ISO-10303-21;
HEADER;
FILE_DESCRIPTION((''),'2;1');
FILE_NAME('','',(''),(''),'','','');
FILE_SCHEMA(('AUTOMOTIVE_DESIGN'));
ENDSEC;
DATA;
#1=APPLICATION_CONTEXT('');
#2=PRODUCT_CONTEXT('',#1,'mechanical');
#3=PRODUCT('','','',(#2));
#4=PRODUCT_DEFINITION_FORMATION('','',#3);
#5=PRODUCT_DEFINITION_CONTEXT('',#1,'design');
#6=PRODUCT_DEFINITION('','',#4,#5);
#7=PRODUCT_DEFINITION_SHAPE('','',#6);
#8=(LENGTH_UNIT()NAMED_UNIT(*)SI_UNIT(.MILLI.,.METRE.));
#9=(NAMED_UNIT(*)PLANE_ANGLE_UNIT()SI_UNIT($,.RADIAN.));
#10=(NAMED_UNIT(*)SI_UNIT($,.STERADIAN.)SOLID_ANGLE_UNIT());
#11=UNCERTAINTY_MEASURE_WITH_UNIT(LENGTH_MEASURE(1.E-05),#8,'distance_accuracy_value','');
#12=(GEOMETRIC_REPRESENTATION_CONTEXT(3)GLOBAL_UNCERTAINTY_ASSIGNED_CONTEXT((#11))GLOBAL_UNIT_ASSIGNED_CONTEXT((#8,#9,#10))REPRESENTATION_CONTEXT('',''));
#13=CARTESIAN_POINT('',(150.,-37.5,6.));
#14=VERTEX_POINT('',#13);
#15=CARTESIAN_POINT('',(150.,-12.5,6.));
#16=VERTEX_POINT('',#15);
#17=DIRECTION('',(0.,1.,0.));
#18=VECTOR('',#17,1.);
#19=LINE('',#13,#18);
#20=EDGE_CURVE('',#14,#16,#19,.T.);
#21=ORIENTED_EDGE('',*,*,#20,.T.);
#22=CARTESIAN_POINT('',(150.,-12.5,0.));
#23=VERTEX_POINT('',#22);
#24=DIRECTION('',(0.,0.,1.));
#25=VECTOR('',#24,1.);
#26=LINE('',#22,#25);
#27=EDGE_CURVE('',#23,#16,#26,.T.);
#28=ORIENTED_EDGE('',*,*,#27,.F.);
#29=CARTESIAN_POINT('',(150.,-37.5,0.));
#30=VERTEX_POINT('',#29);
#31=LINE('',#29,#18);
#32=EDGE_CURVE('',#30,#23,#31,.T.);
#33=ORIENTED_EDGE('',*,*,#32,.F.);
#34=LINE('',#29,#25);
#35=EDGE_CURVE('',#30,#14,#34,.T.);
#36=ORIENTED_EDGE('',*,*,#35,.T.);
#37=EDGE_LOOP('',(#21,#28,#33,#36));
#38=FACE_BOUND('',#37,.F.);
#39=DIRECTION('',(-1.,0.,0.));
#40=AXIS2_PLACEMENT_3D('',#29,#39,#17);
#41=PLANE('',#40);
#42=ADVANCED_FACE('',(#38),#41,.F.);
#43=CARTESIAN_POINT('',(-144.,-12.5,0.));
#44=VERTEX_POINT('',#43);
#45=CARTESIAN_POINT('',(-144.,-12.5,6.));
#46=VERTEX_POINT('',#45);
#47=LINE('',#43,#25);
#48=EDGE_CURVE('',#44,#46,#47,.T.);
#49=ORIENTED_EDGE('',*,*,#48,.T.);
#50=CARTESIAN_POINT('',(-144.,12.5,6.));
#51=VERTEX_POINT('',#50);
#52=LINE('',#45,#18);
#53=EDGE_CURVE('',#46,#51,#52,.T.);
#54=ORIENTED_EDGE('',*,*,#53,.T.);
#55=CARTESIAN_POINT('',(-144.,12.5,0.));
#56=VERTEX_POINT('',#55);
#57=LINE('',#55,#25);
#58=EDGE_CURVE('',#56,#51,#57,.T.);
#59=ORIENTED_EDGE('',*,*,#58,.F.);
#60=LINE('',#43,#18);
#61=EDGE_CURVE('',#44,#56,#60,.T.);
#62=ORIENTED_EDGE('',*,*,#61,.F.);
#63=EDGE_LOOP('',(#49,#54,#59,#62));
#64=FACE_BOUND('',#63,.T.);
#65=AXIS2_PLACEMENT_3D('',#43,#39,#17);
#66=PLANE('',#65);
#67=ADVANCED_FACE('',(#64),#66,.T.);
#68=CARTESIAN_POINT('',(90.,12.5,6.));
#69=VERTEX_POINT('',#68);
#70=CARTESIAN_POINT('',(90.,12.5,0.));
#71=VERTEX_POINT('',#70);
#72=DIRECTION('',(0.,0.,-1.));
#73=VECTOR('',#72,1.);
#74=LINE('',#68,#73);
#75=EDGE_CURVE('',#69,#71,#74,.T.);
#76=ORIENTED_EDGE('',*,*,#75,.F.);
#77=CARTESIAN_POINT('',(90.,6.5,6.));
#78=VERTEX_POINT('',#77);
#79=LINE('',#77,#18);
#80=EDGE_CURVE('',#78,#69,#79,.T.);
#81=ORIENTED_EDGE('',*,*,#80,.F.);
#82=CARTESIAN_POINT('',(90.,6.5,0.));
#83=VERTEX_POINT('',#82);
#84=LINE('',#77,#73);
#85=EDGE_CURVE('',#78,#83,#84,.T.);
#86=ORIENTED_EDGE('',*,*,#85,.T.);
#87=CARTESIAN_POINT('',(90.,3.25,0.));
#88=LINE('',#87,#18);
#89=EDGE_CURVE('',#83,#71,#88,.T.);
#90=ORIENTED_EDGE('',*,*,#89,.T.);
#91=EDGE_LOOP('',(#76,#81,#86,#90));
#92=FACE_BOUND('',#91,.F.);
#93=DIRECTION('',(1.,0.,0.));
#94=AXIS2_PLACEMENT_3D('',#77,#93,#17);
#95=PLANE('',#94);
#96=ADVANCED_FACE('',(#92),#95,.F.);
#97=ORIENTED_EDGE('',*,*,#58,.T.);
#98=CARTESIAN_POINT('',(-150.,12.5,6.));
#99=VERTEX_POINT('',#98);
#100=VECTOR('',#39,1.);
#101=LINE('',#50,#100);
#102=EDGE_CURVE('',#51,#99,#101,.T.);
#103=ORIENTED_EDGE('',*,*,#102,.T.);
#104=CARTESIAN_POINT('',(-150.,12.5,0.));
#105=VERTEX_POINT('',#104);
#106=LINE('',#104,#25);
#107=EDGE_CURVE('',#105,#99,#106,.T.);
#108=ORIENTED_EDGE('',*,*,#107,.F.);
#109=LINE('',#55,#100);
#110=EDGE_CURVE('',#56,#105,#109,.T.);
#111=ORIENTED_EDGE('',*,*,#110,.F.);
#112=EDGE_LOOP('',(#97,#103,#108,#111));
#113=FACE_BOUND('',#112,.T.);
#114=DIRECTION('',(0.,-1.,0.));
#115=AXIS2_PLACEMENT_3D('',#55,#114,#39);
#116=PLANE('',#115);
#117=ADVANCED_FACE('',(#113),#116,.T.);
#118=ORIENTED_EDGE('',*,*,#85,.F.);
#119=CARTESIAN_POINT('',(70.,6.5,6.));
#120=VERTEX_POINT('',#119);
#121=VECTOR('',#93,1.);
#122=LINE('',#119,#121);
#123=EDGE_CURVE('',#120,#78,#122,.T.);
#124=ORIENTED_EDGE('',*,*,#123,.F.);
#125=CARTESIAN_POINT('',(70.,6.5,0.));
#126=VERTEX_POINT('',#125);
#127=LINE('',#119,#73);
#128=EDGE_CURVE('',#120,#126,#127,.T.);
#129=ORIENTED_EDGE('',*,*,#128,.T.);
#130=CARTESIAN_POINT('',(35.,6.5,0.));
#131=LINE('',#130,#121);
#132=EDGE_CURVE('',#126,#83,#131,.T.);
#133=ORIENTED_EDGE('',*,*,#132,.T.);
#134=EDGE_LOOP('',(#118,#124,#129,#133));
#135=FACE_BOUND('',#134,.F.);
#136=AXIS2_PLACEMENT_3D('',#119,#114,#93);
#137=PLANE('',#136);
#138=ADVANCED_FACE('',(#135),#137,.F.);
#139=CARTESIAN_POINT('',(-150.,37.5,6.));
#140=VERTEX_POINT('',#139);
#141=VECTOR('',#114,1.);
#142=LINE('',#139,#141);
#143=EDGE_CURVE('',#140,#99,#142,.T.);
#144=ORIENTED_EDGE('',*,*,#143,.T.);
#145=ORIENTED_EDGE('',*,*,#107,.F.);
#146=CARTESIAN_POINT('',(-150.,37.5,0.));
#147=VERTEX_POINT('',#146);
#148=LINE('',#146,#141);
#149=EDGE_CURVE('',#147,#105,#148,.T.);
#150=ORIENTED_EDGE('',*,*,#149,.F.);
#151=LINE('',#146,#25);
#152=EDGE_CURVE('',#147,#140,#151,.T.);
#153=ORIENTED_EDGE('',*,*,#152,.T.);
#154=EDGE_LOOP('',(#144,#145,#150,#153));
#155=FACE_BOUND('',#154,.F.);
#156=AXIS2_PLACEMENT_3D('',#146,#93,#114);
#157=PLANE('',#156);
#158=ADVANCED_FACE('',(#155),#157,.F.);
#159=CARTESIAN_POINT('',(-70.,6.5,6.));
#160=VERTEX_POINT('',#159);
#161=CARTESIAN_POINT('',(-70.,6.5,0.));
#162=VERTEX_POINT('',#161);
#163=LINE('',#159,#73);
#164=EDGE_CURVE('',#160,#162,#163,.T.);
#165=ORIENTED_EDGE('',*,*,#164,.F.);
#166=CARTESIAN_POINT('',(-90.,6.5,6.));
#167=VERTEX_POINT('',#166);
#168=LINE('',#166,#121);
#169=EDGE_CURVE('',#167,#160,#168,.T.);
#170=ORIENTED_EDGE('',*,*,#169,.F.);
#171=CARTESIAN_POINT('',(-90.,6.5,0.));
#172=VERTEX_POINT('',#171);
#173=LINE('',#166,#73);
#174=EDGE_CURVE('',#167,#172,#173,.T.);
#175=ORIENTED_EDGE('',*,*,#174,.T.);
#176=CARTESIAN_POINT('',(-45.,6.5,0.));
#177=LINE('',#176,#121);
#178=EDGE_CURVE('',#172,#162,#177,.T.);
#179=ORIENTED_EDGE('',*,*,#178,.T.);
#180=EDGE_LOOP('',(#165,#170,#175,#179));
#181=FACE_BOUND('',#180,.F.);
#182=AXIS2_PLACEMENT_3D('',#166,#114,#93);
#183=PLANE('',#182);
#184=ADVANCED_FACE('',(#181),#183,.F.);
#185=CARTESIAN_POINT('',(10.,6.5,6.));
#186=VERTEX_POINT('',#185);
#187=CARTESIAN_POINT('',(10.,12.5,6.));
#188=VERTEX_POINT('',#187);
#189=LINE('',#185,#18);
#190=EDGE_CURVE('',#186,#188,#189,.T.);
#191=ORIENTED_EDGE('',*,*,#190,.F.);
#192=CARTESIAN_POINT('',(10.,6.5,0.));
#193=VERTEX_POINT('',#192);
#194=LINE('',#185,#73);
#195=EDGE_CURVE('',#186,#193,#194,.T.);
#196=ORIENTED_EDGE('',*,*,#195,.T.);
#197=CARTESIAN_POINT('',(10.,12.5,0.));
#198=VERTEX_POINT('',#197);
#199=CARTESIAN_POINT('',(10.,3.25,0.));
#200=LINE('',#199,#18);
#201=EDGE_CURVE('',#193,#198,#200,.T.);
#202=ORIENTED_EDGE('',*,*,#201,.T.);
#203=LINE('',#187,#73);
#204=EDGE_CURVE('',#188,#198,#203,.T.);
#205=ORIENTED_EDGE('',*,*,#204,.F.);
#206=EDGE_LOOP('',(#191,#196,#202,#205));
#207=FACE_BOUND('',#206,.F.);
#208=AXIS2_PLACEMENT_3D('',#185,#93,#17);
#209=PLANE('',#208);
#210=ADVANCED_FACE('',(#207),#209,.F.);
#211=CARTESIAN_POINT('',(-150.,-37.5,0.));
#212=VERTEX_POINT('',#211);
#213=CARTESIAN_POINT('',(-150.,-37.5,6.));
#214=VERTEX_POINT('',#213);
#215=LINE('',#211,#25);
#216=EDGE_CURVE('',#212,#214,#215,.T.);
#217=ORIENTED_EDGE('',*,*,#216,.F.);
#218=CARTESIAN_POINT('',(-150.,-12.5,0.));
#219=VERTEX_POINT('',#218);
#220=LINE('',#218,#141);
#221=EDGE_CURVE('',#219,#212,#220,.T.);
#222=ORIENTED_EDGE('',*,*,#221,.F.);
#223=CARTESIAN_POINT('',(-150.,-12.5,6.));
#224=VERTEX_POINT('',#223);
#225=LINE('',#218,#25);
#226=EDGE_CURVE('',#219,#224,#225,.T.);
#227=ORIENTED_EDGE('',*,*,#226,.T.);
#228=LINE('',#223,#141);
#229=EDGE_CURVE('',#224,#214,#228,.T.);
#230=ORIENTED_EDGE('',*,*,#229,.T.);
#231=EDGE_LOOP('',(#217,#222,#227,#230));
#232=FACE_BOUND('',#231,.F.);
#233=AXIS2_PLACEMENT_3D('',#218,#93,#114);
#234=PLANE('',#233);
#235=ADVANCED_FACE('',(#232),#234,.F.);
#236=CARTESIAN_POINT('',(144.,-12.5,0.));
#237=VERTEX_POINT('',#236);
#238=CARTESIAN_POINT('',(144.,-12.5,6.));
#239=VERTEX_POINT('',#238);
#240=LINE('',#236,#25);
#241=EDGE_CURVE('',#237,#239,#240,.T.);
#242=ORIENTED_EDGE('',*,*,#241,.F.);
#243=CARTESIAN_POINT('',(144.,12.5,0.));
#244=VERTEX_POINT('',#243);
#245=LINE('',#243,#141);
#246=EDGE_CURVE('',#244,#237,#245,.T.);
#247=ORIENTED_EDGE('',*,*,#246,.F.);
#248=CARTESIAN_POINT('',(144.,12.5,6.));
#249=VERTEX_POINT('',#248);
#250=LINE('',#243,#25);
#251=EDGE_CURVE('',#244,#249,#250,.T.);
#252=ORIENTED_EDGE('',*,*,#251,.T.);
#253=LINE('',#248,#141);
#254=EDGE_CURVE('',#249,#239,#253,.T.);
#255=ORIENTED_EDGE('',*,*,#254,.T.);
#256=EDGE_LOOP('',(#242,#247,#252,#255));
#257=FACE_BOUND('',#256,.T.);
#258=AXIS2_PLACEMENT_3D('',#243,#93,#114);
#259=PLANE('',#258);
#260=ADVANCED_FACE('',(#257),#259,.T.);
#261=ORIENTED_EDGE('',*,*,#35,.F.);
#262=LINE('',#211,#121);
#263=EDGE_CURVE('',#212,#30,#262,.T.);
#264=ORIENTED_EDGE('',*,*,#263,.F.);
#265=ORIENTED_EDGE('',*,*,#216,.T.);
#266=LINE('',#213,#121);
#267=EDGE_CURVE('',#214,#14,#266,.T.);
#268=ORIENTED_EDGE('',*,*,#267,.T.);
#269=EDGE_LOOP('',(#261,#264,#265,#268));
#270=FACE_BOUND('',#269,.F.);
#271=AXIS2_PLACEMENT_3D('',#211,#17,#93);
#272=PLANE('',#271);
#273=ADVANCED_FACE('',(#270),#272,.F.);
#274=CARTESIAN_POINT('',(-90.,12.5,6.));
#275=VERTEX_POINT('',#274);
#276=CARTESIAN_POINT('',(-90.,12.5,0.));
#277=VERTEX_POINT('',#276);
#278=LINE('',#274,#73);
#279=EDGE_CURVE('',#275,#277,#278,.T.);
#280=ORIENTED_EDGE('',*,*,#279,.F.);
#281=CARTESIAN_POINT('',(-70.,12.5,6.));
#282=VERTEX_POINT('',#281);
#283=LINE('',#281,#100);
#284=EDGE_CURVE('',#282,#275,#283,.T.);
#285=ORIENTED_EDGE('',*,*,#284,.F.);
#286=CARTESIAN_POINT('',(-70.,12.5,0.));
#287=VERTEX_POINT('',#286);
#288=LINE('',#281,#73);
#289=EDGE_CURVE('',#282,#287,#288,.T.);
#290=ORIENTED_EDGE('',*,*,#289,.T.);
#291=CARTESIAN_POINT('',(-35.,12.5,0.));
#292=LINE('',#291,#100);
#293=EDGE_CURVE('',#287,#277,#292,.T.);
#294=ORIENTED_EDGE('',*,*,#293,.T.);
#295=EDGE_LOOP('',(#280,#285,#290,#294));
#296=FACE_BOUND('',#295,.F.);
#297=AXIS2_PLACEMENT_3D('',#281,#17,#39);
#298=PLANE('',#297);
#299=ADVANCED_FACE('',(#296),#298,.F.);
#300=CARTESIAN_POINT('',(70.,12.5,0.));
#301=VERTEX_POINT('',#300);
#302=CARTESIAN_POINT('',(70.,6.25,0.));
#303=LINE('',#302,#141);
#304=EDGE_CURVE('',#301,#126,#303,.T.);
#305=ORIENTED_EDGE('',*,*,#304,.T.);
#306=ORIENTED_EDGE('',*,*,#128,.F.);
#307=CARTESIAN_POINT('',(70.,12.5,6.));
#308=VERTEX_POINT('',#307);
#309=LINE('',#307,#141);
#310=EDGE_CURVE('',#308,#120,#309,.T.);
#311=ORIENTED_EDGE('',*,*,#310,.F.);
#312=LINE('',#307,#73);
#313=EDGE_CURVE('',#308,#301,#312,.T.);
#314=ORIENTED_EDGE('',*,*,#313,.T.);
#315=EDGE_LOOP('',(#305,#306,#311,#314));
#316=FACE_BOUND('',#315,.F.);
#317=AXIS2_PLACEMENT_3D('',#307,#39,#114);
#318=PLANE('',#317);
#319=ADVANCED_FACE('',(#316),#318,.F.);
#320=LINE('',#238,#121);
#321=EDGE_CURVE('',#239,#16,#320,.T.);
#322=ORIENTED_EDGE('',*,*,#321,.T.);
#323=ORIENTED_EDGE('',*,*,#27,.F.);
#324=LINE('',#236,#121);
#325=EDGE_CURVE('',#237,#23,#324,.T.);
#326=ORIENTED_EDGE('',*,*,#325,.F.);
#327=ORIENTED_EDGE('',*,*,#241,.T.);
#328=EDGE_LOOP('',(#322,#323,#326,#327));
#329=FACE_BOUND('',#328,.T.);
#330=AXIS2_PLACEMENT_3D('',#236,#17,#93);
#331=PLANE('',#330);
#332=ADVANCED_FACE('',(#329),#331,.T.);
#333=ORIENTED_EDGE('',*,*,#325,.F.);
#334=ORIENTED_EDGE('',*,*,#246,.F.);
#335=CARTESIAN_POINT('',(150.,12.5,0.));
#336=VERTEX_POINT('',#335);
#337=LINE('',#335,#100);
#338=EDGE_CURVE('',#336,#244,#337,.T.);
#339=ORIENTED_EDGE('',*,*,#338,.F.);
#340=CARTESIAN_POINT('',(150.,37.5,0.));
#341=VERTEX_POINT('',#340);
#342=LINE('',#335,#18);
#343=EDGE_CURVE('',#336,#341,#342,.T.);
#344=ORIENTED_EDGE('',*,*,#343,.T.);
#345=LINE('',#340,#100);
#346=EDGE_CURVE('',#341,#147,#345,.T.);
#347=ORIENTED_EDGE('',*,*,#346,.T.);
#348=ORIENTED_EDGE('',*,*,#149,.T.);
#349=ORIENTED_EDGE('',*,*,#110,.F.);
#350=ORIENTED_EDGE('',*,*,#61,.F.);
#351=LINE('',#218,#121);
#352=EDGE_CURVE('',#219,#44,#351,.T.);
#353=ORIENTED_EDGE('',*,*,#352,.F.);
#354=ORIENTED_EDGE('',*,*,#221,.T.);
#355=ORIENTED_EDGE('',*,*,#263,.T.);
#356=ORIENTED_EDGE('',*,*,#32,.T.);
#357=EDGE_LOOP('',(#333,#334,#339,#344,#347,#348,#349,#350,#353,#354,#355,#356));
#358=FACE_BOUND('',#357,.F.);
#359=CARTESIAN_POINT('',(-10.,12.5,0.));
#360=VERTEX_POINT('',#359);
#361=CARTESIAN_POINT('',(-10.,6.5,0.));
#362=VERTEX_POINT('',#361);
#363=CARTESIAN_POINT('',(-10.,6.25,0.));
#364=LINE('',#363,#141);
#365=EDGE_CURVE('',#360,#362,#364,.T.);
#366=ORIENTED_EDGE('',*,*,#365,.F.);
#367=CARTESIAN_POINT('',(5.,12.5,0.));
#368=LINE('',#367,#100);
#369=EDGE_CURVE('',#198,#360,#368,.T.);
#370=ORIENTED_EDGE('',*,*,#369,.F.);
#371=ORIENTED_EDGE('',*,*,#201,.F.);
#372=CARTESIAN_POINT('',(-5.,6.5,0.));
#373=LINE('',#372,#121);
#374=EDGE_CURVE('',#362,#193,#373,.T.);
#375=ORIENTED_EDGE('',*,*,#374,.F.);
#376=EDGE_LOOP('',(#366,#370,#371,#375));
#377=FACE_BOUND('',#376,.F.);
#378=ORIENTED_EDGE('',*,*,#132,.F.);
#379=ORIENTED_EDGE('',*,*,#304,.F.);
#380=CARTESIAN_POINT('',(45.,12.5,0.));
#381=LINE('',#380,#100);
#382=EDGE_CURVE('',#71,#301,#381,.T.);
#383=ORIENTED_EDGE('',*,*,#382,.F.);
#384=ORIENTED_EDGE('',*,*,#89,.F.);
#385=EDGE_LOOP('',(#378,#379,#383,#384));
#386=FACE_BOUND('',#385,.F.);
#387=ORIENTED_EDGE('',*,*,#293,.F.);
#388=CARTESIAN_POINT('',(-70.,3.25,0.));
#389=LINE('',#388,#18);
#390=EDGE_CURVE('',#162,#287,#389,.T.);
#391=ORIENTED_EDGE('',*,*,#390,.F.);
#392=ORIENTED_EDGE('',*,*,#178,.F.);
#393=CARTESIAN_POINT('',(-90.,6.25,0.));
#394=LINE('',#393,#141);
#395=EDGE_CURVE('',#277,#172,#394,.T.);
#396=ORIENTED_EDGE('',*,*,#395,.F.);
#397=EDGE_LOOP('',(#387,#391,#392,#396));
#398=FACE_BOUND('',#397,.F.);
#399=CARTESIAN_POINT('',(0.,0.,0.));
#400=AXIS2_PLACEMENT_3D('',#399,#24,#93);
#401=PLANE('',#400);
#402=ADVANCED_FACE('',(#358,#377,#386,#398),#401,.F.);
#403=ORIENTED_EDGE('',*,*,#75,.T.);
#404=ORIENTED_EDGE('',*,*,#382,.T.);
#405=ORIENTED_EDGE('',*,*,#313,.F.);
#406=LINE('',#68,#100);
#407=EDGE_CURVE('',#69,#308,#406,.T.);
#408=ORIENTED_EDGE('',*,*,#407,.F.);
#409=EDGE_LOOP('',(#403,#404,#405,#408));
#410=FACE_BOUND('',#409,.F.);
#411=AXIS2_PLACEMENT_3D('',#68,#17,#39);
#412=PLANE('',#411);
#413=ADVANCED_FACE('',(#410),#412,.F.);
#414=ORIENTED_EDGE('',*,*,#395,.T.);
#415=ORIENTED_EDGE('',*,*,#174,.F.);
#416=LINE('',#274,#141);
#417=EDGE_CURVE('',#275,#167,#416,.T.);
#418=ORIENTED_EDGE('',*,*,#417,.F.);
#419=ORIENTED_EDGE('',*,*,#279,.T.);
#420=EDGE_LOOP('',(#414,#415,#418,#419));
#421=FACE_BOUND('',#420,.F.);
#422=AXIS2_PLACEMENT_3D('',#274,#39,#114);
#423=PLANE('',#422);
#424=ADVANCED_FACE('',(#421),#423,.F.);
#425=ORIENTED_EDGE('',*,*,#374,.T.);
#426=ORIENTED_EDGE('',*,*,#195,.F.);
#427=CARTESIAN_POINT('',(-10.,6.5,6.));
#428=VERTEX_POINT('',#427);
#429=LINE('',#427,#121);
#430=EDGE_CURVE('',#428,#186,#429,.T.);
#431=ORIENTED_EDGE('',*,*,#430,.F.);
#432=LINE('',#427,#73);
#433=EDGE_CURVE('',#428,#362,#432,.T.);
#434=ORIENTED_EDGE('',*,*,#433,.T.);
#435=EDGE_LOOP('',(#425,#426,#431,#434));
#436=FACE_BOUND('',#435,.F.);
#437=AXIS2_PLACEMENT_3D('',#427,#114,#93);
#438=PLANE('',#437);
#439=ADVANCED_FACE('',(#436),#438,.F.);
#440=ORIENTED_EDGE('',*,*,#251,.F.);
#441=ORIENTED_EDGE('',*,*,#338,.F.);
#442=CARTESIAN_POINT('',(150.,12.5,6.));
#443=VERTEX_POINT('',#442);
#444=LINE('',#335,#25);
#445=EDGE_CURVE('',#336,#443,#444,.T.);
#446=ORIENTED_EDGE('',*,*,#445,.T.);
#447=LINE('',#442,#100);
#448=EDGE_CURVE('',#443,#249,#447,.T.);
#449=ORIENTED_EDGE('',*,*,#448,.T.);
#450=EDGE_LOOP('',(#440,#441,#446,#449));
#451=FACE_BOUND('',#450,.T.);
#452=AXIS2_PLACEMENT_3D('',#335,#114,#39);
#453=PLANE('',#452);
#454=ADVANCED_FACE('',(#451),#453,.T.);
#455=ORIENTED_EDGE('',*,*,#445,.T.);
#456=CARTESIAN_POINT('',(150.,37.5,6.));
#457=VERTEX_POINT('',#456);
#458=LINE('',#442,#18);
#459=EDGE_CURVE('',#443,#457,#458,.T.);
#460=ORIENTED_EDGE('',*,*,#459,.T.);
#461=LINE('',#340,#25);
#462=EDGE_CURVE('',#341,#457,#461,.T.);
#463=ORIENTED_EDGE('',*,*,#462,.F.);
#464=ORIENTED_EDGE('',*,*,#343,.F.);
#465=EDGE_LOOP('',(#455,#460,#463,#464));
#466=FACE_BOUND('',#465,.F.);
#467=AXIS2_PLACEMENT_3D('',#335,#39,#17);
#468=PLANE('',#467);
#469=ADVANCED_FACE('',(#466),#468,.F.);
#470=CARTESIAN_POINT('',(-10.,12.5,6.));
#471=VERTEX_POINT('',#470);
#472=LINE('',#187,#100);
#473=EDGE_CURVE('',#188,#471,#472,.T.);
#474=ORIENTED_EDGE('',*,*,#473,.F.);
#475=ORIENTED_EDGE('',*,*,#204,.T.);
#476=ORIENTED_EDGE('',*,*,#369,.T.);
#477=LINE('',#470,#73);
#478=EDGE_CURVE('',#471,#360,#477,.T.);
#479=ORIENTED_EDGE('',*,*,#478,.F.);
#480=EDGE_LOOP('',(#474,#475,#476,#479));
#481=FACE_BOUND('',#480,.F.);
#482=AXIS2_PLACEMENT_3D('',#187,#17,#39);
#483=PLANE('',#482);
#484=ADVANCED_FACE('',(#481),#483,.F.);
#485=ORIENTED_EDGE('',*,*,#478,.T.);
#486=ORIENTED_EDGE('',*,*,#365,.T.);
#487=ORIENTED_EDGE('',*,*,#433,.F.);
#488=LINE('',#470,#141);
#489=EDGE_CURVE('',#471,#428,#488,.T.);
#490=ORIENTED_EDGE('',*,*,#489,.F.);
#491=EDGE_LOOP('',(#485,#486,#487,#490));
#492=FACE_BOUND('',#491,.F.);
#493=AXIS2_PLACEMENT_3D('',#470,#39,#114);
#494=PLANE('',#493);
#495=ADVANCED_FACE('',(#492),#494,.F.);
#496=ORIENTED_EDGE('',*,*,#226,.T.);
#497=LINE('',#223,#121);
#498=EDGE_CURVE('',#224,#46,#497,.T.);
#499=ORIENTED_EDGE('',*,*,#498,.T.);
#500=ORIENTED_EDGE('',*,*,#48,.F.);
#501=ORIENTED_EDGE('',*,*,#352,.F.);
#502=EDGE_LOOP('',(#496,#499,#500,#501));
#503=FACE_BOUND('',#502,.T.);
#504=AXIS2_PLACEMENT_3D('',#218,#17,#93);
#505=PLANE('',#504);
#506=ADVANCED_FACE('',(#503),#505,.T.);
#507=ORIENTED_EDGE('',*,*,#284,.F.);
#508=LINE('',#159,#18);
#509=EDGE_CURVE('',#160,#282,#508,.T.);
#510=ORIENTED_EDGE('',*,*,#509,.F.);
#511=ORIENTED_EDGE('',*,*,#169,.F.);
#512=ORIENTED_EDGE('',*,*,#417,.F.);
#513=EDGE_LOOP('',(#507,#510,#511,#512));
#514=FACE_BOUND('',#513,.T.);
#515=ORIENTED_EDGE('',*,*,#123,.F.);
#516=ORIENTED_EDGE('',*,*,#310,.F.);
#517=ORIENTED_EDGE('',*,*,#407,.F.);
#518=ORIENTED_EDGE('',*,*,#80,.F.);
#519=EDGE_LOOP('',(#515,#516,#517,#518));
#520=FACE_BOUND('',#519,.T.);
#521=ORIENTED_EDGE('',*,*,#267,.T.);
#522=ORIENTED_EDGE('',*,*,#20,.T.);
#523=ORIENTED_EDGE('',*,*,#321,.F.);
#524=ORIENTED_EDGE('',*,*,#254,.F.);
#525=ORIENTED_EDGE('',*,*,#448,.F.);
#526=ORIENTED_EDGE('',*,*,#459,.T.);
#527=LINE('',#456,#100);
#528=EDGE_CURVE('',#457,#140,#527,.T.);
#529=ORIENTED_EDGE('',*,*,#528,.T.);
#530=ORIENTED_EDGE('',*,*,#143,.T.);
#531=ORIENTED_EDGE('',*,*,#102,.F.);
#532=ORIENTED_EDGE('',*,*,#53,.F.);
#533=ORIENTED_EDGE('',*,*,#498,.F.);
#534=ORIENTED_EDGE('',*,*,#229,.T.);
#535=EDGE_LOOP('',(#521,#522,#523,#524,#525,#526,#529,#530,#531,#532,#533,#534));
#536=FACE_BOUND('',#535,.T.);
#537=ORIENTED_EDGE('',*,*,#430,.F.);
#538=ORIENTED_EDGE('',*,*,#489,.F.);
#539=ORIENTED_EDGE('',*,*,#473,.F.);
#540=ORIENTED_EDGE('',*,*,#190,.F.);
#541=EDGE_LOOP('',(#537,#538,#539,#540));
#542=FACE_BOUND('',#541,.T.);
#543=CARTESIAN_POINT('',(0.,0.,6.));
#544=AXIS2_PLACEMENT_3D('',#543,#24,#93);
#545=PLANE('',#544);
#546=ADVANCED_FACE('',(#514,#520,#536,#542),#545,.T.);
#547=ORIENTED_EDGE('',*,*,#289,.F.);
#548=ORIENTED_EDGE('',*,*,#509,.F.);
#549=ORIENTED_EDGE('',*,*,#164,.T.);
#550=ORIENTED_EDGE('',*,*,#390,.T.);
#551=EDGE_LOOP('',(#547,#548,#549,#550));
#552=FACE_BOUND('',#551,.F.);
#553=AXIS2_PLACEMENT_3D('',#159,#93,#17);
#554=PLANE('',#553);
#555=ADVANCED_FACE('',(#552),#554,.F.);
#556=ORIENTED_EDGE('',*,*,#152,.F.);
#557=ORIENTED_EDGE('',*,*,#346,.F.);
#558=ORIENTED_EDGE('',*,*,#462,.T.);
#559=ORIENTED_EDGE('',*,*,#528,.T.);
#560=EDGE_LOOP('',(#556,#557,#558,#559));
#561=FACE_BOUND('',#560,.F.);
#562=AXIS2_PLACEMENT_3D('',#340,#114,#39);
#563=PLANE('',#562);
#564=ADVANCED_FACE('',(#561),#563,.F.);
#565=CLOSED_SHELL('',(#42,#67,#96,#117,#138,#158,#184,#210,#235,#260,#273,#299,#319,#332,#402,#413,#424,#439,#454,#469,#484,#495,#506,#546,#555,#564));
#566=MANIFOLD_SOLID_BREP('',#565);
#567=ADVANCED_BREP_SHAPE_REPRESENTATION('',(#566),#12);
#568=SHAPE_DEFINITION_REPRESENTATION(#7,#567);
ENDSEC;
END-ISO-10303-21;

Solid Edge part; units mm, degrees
sketch "Sketch1" plane through (0, 0, 0) normal (0, 0, 1) x (1, 0, 0)
  line L0 (-150, -37.5) -> (150, -37.5)
  line L1 (150, -37.5) -> (150, -12.5)
  line L2 (144, -12.5) -> (150, -12.5)
  line L3 (144, 12.5) -> (144, -12.5)
  line L4 (150, 12.5) -> (144, 12.5)
  line L5 (150, 12.5) -> (150, 37.5)
  line L6 (150, 37.5) -> (-150, 37.5)
  line L7 (-150, 37.5) -> (-150, 12.5)
  line L8 (-144, 12.5) -> (-150, 12.5)
  line L9 (-144, -12.5) -> (-144, 12.5)
  line L10 (-150, -12.5) -> (-144, -12.5)
  line L11 (-150, -12.5) -> (-150, -37.5)
  dimension "D1" = 25
  dimension "D2" = 25
  dimension "D3" = 25
  dimension "D4" = 25
extrude "Protrusion1" add sketch "Sketch1" along normal blind 6
sketch "Sketch2" plane through (0, 0, 6) normal (0, 0, 1) x (1, 0, 0)
  line L0 (-90, 6.5) -> (-70, 6.5)
  line L1 (-70, 6.5) -> (-70, 12.5)
  line L2 (-70, 12.5) -> (-90, 12.5)
  line L3 (-90, 12.5) -> (-90, 6.5)
  line L4 (-10, 6.5) -> (10, 6.5)
  line L5 (10, 6.5) -> (10, 12.5)
  line L6 (10, 12.5) -> (-10, 12.5)
  line L7 (-10, 12.5) -> (-10, 6.5)
  line L8 (70, 6.5) -> (90, 6.5)
  line L9 (90, 6.5) -> (90, 12.5)
  line L10 (90, 12.5) -> (70, 12.5)
  line L11 (70, 12.5) -> (70, 6.5)
  dimension "D1" = 54
  dimension "D2" = 25
  dimension "D3" = 6
  dimension "D4" = 20
  dimension "D5" = 6
  dimension "D6" = 20
  dimension "D7" = 6
  dimension "D8" = 20
  dimension "D9" = 25
  dimension "D10" = 60
  dimension "D11" = 25
  dimension "D12" = 54
extrude "Cutout1" cut sketch "Sketch2" against normal through all
